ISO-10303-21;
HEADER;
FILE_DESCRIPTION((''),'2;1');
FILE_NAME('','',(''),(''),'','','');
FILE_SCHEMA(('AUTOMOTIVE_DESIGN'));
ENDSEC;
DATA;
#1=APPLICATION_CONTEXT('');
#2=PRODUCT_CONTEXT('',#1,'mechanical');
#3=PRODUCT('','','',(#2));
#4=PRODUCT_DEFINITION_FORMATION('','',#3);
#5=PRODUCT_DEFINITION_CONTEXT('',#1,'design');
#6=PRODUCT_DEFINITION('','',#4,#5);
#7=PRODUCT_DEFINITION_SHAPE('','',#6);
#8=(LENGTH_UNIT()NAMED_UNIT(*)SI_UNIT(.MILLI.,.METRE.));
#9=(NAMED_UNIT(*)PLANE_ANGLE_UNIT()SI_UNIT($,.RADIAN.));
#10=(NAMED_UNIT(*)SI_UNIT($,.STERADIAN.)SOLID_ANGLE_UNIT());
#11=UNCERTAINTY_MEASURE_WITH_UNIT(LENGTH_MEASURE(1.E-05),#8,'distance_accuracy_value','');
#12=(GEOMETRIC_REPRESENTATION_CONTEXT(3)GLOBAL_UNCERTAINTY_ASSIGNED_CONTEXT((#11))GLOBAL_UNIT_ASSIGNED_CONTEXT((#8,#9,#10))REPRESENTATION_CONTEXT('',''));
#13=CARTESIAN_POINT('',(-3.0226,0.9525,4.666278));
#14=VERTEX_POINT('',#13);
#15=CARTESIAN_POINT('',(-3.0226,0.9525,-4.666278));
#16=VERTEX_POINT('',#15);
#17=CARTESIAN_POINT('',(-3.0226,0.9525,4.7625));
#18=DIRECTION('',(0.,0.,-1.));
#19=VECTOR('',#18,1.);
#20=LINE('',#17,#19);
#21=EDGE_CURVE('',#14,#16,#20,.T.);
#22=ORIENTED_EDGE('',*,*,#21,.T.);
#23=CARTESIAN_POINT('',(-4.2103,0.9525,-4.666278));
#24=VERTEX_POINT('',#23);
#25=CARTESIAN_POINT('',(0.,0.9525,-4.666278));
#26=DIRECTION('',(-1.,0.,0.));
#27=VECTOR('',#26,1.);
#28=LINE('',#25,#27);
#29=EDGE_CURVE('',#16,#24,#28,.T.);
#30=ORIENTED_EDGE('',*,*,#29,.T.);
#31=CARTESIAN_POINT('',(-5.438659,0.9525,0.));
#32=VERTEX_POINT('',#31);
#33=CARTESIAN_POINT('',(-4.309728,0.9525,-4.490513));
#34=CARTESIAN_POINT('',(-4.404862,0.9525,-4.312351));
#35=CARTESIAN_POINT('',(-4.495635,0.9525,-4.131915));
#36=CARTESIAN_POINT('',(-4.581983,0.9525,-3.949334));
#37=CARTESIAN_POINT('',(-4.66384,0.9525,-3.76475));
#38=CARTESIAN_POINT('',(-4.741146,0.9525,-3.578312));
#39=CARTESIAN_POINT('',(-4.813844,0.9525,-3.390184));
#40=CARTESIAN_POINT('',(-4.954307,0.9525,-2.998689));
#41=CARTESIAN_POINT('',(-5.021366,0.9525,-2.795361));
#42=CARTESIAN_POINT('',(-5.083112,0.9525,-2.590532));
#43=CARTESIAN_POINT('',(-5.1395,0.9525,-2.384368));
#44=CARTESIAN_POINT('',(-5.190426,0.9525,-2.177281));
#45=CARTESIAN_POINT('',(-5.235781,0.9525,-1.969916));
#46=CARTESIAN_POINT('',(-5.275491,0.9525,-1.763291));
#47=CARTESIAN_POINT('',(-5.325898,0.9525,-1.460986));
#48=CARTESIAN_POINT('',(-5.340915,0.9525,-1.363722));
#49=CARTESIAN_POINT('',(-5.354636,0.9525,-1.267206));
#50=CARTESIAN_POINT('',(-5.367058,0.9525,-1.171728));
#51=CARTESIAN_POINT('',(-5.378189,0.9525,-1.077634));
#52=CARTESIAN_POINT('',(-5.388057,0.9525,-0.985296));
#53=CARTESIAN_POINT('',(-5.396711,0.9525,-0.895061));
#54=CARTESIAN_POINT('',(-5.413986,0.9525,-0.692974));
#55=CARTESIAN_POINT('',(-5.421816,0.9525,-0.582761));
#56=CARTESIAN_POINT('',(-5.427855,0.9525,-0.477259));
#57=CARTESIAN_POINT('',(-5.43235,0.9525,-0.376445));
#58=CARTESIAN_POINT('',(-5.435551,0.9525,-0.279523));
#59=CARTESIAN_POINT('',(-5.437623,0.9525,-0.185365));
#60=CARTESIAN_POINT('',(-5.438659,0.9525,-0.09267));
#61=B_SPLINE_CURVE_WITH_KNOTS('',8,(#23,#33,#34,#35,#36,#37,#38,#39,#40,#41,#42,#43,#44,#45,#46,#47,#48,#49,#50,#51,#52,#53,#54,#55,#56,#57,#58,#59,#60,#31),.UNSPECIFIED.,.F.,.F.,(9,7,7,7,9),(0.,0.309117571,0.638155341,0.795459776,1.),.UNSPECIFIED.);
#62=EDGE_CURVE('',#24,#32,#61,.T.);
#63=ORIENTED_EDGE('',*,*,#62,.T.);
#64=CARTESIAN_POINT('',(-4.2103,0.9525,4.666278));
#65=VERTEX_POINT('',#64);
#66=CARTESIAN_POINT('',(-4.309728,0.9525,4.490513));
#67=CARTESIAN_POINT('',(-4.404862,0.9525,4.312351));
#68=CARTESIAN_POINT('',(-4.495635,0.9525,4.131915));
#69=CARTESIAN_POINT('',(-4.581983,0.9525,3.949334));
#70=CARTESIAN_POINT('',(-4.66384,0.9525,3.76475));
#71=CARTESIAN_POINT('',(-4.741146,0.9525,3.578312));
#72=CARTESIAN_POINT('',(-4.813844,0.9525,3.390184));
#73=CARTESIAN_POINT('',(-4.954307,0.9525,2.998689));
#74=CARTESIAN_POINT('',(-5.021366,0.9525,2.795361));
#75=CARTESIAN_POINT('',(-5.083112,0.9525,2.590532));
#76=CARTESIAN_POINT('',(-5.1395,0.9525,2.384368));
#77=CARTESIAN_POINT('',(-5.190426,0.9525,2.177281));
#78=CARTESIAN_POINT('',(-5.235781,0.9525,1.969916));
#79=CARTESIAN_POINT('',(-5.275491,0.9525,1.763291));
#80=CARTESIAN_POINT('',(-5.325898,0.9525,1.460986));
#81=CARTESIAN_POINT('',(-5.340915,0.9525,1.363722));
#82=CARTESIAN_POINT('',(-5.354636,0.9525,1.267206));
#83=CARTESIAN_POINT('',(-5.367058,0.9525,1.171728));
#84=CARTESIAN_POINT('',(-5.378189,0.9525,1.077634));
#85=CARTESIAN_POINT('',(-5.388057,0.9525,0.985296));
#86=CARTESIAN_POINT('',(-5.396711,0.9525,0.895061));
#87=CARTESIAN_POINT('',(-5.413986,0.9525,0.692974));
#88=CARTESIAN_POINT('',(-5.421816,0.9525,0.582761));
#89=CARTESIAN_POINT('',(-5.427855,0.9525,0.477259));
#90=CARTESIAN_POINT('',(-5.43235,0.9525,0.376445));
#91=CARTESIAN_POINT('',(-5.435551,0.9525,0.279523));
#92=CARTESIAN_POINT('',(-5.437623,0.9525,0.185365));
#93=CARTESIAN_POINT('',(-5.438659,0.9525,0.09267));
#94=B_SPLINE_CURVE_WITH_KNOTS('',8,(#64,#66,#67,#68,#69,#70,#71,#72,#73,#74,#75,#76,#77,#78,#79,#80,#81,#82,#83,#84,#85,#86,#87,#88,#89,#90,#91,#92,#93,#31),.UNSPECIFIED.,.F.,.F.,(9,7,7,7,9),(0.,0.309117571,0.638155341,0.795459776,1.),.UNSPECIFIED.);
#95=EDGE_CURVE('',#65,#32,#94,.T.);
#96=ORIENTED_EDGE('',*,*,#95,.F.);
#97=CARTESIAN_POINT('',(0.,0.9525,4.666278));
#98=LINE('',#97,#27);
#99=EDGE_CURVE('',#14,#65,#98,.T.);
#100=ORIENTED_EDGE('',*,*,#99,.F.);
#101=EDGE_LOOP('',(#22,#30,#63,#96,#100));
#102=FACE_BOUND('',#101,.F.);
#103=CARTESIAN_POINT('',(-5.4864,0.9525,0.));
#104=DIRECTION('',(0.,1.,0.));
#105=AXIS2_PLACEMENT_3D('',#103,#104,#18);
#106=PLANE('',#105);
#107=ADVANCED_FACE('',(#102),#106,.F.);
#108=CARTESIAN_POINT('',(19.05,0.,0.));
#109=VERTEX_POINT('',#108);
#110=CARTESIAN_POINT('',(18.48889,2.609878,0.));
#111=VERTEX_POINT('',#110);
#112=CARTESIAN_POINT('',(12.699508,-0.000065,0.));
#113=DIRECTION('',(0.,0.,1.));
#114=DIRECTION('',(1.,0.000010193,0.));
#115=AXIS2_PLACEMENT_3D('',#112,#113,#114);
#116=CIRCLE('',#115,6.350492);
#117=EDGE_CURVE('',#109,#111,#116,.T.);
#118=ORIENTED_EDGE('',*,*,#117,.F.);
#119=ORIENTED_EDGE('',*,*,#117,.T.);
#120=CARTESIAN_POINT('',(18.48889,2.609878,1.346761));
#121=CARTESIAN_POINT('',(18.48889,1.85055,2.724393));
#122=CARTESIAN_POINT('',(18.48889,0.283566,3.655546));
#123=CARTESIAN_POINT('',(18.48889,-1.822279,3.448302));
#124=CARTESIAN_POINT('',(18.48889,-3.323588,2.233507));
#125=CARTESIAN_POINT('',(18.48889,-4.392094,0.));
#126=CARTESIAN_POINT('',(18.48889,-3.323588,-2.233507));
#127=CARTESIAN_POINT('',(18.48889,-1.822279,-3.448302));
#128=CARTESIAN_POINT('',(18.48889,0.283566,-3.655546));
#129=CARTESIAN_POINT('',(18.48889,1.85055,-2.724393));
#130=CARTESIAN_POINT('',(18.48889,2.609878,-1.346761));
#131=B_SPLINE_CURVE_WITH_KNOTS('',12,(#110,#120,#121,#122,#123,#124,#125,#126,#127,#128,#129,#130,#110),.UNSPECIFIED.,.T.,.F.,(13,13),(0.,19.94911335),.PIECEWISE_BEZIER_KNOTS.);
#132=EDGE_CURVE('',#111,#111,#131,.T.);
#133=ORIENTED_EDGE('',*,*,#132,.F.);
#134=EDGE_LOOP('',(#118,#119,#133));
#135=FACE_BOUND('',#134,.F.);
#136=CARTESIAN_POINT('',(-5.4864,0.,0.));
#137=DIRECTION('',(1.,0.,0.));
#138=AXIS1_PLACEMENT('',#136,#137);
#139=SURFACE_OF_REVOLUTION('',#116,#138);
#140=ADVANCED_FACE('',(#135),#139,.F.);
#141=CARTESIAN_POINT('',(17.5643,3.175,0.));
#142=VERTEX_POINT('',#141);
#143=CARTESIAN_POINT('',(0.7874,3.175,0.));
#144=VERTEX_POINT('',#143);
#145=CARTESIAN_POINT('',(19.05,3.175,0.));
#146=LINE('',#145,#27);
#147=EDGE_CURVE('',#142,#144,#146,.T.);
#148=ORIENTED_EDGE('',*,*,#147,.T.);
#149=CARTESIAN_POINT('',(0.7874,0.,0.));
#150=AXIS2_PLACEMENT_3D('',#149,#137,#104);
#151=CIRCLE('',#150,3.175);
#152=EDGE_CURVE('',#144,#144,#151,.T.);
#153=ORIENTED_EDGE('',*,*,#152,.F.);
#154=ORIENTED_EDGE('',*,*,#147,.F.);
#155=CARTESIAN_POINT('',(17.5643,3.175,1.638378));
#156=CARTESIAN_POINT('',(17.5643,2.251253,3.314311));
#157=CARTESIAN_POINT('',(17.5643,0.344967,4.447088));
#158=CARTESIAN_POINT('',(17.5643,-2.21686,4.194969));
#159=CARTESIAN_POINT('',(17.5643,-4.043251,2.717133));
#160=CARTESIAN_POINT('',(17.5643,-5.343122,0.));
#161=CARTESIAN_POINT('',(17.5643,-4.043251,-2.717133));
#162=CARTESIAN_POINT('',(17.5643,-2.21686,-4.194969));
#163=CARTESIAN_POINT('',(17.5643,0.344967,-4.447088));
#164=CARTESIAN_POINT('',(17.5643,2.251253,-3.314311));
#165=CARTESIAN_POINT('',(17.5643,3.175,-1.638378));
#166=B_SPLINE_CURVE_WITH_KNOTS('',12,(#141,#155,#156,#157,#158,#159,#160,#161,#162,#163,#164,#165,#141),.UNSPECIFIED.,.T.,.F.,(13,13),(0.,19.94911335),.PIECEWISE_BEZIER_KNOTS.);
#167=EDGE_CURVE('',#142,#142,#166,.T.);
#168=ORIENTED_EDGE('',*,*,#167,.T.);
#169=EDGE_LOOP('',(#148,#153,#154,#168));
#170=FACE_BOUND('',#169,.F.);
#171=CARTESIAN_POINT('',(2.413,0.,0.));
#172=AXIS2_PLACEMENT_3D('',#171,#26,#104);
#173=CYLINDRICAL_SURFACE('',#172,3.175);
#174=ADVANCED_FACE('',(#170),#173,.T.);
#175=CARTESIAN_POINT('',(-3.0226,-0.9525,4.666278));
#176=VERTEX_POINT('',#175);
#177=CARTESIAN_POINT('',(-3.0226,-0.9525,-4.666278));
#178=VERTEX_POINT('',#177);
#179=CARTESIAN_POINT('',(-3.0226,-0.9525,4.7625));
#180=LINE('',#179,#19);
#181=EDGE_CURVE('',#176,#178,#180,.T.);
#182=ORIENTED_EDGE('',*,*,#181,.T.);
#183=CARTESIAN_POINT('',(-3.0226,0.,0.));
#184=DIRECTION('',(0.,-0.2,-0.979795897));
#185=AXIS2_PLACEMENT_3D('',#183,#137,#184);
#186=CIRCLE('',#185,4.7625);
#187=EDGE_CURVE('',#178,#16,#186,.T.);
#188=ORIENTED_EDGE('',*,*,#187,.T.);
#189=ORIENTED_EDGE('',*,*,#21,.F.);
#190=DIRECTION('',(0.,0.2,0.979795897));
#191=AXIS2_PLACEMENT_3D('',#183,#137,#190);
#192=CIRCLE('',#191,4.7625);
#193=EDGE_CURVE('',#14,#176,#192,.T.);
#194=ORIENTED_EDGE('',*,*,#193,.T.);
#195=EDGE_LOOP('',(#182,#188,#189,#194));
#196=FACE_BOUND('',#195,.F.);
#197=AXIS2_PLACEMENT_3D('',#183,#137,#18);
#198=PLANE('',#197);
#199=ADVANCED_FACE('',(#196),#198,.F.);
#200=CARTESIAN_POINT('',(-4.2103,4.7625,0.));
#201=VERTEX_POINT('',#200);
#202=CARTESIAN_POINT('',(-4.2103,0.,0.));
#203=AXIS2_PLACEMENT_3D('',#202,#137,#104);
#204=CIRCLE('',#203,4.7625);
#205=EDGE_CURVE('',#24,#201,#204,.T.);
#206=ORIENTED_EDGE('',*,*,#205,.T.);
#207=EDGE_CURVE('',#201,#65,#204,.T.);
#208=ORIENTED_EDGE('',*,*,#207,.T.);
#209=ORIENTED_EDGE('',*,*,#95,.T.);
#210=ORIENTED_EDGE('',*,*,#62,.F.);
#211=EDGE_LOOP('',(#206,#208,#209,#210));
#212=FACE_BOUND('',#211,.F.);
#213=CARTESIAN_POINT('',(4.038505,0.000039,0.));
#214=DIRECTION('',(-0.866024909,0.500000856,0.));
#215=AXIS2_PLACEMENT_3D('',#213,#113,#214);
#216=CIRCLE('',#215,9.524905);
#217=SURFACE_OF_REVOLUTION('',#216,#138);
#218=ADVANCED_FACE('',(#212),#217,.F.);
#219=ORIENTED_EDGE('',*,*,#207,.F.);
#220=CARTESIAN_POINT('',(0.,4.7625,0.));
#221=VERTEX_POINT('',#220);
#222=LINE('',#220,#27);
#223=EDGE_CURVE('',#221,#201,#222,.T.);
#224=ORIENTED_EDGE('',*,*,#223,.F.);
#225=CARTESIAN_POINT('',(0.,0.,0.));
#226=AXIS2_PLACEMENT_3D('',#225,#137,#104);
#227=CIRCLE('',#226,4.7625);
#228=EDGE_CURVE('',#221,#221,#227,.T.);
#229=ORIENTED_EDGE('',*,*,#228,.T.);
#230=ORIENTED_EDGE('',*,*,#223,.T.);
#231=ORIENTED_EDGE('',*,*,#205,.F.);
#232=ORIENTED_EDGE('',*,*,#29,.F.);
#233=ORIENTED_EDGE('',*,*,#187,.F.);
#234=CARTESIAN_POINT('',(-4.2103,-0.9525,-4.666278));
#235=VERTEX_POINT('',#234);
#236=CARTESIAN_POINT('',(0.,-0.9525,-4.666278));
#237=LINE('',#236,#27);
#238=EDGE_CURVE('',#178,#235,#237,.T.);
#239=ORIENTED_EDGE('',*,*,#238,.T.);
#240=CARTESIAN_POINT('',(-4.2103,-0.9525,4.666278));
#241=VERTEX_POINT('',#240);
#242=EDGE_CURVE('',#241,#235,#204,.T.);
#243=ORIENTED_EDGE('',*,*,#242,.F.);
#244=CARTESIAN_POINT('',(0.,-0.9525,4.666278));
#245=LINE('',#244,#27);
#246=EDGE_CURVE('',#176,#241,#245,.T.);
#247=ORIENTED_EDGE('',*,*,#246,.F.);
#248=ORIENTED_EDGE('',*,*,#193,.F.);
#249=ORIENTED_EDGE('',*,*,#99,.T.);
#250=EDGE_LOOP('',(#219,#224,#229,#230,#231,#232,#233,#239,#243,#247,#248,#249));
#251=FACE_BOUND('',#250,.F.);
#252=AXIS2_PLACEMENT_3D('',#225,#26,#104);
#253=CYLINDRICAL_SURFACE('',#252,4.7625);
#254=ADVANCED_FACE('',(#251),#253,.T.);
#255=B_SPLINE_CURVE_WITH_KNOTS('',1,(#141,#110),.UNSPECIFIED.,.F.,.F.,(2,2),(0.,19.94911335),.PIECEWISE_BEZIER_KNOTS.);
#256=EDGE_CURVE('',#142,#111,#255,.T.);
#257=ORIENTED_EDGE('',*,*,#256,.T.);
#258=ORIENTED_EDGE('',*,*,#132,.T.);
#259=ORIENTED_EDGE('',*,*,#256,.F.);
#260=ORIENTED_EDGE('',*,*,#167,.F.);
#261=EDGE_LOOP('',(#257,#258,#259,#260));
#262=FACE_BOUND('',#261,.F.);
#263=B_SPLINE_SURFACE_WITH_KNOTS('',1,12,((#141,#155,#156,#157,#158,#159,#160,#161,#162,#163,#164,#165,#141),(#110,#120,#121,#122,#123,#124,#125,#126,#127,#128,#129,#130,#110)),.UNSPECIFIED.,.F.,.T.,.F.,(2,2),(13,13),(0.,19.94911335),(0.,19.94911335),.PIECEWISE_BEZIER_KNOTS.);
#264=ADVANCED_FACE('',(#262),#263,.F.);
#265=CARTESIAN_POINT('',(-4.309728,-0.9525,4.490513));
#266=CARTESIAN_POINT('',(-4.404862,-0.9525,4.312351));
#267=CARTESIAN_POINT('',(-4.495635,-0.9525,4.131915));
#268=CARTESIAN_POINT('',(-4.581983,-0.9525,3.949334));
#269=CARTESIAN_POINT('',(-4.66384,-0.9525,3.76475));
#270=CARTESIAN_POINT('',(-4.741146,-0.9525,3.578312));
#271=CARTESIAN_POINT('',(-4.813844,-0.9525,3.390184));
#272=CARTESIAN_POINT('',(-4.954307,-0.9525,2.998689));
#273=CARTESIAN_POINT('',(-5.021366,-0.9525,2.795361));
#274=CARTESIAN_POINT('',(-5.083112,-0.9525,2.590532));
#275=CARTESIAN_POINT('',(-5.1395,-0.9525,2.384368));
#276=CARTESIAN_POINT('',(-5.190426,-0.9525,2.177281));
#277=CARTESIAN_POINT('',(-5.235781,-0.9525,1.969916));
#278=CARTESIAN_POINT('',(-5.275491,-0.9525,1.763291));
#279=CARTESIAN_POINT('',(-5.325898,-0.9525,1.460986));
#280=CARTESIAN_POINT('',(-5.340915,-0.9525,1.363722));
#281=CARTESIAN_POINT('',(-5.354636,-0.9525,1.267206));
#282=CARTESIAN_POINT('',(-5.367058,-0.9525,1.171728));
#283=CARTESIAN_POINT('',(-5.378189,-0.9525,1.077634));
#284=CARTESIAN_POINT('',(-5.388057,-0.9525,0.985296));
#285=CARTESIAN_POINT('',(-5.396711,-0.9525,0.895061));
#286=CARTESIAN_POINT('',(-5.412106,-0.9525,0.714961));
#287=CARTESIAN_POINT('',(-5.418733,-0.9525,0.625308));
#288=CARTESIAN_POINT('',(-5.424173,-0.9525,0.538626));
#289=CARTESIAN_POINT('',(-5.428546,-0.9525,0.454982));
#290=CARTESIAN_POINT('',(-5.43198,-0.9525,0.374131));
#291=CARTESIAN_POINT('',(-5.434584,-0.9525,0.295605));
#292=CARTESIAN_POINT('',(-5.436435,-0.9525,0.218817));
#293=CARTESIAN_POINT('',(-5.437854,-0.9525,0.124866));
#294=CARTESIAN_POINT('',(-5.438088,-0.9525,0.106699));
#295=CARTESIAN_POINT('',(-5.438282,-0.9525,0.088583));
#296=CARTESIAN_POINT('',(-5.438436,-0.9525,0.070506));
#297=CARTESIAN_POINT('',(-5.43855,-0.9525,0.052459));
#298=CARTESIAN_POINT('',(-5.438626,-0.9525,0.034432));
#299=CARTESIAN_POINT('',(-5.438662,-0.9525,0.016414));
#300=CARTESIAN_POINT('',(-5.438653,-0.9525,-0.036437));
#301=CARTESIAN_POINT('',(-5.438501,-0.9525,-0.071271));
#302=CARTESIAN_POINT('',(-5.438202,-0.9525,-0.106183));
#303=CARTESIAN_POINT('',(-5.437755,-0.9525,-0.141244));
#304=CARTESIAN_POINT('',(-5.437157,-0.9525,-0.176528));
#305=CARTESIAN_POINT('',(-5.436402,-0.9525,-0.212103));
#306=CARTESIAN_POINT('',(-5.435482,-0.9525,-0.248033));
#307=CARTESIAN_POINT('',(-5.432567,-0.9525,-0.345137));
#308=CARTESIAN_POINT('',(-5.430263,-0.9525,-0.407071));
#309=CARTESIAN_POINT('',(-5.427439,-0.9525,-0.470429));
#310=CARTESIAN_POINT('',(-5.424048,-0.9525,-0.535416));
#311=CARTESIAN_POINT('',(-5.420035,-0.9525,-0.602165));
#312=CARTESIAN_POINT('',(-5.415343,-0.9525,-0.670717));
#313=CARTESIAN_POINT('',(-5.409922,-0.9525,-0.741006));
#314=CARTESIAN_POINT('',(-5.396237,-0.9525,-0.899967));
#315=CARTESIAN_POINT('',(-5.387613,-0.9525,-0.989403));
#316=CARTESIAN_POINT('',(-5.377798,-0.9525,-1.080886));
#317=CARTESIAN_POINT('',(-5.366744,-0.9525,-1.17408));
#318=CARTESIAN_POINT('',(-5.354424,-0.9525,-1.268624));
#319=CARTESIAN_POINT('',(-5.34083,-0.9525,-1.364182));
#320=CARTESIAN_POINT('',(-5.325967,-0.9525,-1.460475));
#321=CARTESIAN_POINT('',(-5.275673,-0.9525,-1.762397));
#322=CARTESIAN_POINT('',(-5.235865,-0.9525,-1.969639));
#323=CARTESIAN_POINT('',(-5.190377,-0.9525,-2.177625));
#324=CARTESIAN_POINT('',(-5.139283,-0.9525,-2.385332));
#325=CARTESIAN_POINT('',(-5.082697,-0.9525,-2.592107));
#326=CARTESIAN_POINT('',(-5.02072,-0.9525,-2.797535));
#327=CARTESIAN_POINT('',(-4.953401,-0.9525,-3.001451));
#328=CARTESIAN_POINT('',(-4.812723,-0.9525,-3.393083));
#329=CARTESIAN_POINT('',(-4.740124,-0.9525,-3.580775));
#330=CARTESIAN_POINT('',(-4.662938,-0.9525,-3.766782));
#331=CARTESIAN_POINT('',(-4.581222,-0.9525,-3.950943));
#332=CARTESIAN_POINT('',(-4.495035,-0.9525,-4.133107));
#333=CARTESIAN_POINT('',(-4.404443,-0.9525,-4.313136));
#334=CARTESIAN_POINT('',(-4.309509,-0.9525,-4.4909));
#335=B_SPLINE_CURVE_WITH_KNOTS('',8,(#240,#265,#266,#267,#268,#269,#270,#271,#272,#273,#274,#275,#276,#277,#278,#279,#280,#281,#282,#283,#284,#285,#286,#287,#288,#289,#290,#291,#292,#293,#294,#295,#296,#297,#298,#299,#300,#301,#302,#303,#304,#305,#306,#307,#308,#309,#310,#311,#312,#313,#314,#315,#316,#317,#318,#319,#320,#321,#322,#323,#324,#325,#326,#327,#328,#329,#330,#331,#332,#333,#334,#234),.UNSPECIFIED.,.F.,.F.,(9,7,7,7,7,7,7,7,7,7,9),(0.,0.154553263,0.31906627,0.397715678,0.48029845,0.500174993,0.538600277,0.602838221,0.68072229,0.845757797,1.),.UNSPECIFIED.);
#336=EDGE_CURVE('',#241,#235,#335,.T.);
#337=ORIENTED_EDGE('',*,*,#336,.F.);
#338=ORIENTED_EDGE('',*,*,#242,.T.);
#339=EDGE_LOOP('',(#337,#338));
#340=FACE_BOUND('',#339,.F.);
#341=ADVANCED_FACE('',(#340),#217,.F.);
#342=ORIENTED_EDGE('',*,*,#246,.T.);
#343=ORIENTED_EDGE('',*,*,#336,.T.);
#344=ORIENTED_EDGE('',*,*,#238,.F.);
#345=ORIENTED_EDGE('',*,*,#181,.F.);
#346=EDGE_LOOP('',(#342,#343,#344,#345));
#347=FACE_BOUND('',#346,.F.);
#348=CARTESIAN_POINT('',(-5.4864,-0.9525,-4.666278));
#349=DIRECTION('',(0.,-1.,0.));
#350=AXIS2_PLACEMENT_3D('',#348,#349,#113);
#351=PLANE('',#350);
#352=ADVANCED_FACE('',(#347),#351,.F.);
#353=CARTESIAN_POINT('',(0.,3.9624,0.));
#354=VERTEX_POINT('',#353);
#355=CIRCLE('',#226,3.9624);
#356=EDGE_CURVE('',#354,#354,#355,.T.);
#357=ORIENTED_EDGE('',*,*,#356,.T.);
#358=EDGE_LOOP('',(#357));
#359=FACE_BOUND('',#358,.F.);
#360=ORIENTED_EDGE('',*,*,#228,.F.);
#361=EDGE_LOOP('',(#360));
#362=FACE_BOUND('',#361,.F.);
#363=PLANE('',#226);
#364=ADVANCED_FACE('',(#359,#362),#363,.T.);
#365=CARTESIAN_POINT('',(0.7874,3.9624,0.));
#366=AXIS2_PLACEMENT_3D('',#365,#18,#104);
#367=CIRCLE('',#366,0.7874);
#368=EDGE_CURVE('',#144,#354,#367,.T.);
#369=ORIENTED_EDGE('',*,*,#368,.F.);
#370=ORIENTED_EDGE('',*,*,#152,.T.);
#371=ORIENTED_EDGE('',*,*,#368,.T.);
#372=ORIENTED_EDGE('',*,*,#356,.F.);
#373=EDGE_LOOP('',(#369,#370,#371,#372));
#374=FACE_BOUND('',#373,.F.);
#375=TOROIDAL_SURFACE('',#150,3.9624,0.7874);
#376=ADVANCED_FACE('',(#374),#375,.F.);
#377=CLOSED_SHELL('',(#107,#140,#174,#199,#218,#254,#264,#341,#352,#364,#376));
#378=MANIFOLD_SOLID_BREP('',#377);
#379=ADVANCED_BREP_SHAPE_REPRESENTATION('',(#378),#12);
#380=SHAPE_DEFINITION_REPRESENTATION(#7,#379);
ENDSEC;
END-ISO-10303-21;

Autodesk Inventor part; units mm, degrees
ref_plane "YZ Plane" through (0, 0, 0) normal (1, 0, 0) x (0, 1, 0)
sketch "Sketch1" plane through (0, 0, 0) normal (0, 0, 1) x (1, 0, 0)
  line L0 (-5.4864, 0) -> (19.05, 0)
  line L1 (19.05, 0) -> (19.05, 3.175)
  line L2 (19.05, 3.175) -> (3.175, 3.175)
  line L3 (3.175, 3.175) -> (2.413, 3.175)
  line L4 (2.413, 3.175) -> (0, 3.175)
  line L5 (0, 3.175) -> (0, 4.7625)
  line L6 (-10.7699, 0) -> (24.02, 0) projected
  line L7 (0, -0.9693) -> (0, 5.8158) projected
  line L8 (0, 4.7625) -> (-4.2103, 4.7625)
  arc A0 (-4.2103, 4.7625) -> (-5.4864, 0) centre (4.0386, 0) ccw
  line L9 (3.175, 3.175) -> (0, 3.175) construction
  dimension "d0" = 19.05
  dimension "d1" = 15.875
  dimension "d2" = 0.762
  dimension "d3" = 5.4864
  dimension "d4" = 6.35
  dimension "d5" = 6.35
  dimension "d9" = 9.525
  dimension "d10" = 0
  dimension "d13" = 9.525
revolve "Body" add sketch "Sketch1" angle 360 about axis through (-5.4864, 0, 0) along (1, 0, 0)
ref_plane "IDS_WORKPLANE{1}" through (-5.4864, 0, 0) normal (1, 0, 0) x (0, 0, -1)
sketch "Sketch2" plane through (-5.4864, 0, 0) normal (1, 0, 0) x (0, 0, -1)
  circle A0 centre (0, 0) radius 4.7625 projected
  line L0 (0, -6.6675) -> (0, 6.6675) projected
  line L1 (6.6675, 0) -> (-6.6675, 0) projected
  line L2 (-4.7625, 0.9525) -> (4.7625, 0.9525)
  line L3 (4.7625, 0.9525) -> (4.7625, -0.9525)
  line L4 (4.7625, -0.9525) -> (-4.7625, -0.9525)
  line L5 (-4.7625, -0.9525) -> (-4.7625, 0.9525)
  line L6 (-4.7625, 0) -> (4.7625, 0) construction
  line L7 (0, 0.9525) -> (0, -0.9525) construction
  dimension "d15" = 1.905
extrude "Slot" cut sketch "Sketch2" along normal blind 2.4638 contours L1 L0 L2 A0 | L3 L4 A0 | A0 L4 L0 L1 | A0 L2 L3 | L1 A0 L2 L0 | L0 L4 A0 L1 | L5 L2 A0 | A0 L4 L5
thread "Thread" size "1/4-20 UNC" class "2A" standard "ANSI Unified Screw Threads" length 15.875
sketch "Sketch3" plane through (0, 0, 0) normal (0, 0, 1) x (1, 0, 0)
  line L0 (19.05, 0) -> (19.05, 3.175) projected
  line L1 (19.05, 3.175) -> (3.175, 3.175) projected
  line L2 (-5.4864, 0) -> (19.05, 0) projected
  arc A0 (19.05, 0) -> (18.1993, 3.175) centre (12.7, 0) ccw
  line L3 (19.05, -3.175) -> (19.05, 3.175) projected
  line L4 (18.1993, 3.175) -> (18.1993, 0)
  line L5 (18.1993, 0) -> (19.05, 0)
  dimension "d40" = 6.35
revolve "Fillet1" cut sketch "Sketch3" angle 360 about axis through (-5.4864, 0, 0) along (1, 0, 0) contours A0 L1 L0
chamfer "Chamfer" distance 0.635 angle 45 1 edges at (18.1993, -3.175, 0)
ref_plane "Work Plane2" through (41.275, 0, 0) normal (0, 0, -1) x (1, 0, 0)
fillet "Fillet4" radius 0.7874 1 edges at (0, -3.175, 0)
equation "\"d0\" = NLG"
equation "\"d1\" = GEL"
equation "\"d2\" = GAL"
equation "\"d3\" = KOH"
equation "\"d4\" = GD"
equation "\"d5\" = BDM"
equation "\"d9\" = KOD"
equation "\"d13\" = KR"
equation "\"d15\" = SBR"
equation "\"d16\" = STI"
equation "\"d40\" = GD"
equation "\"d46\" = R"
equation "\"d11\" = GEL"
equation "\"d43\" = 0.5 * RR"
equation "\"GD\" = NND"
equation "\"NLG\" = 19.05"
equation "\"GEL\" = 15.875"
equation "\"KOD\" = 9.525"
equation "\"KOH\" = 5.4864"
equation "\"GAL\" = 0.762"
equation "\"BDM\" = NND"
equation "\"SBR\" = 1.905"
equation "\"STI\" = 2.4638"
equation "\"KEWI\" = 0"
equation "\"KR\" = KOD"
equation "\"d14\" = -KOH"
equation "\"R\" = 0.7874"
equation "\"THREADDIA\" = 6.35"
equation "\"TOA\" = 30deg"
equation "\"KOH1\" = 4.3688"
equation "\"NND\" = 6.35"
equation "\"GD1\" = 4.8387"
equation "\"THREADDESC\" = 1.2345"
equation "\"RR\" = 1.27"
properties part number "ANSI B18.6.2 - 1/4-20 UNC - 0.75, SFHCSI" material "Steel, Mild"
